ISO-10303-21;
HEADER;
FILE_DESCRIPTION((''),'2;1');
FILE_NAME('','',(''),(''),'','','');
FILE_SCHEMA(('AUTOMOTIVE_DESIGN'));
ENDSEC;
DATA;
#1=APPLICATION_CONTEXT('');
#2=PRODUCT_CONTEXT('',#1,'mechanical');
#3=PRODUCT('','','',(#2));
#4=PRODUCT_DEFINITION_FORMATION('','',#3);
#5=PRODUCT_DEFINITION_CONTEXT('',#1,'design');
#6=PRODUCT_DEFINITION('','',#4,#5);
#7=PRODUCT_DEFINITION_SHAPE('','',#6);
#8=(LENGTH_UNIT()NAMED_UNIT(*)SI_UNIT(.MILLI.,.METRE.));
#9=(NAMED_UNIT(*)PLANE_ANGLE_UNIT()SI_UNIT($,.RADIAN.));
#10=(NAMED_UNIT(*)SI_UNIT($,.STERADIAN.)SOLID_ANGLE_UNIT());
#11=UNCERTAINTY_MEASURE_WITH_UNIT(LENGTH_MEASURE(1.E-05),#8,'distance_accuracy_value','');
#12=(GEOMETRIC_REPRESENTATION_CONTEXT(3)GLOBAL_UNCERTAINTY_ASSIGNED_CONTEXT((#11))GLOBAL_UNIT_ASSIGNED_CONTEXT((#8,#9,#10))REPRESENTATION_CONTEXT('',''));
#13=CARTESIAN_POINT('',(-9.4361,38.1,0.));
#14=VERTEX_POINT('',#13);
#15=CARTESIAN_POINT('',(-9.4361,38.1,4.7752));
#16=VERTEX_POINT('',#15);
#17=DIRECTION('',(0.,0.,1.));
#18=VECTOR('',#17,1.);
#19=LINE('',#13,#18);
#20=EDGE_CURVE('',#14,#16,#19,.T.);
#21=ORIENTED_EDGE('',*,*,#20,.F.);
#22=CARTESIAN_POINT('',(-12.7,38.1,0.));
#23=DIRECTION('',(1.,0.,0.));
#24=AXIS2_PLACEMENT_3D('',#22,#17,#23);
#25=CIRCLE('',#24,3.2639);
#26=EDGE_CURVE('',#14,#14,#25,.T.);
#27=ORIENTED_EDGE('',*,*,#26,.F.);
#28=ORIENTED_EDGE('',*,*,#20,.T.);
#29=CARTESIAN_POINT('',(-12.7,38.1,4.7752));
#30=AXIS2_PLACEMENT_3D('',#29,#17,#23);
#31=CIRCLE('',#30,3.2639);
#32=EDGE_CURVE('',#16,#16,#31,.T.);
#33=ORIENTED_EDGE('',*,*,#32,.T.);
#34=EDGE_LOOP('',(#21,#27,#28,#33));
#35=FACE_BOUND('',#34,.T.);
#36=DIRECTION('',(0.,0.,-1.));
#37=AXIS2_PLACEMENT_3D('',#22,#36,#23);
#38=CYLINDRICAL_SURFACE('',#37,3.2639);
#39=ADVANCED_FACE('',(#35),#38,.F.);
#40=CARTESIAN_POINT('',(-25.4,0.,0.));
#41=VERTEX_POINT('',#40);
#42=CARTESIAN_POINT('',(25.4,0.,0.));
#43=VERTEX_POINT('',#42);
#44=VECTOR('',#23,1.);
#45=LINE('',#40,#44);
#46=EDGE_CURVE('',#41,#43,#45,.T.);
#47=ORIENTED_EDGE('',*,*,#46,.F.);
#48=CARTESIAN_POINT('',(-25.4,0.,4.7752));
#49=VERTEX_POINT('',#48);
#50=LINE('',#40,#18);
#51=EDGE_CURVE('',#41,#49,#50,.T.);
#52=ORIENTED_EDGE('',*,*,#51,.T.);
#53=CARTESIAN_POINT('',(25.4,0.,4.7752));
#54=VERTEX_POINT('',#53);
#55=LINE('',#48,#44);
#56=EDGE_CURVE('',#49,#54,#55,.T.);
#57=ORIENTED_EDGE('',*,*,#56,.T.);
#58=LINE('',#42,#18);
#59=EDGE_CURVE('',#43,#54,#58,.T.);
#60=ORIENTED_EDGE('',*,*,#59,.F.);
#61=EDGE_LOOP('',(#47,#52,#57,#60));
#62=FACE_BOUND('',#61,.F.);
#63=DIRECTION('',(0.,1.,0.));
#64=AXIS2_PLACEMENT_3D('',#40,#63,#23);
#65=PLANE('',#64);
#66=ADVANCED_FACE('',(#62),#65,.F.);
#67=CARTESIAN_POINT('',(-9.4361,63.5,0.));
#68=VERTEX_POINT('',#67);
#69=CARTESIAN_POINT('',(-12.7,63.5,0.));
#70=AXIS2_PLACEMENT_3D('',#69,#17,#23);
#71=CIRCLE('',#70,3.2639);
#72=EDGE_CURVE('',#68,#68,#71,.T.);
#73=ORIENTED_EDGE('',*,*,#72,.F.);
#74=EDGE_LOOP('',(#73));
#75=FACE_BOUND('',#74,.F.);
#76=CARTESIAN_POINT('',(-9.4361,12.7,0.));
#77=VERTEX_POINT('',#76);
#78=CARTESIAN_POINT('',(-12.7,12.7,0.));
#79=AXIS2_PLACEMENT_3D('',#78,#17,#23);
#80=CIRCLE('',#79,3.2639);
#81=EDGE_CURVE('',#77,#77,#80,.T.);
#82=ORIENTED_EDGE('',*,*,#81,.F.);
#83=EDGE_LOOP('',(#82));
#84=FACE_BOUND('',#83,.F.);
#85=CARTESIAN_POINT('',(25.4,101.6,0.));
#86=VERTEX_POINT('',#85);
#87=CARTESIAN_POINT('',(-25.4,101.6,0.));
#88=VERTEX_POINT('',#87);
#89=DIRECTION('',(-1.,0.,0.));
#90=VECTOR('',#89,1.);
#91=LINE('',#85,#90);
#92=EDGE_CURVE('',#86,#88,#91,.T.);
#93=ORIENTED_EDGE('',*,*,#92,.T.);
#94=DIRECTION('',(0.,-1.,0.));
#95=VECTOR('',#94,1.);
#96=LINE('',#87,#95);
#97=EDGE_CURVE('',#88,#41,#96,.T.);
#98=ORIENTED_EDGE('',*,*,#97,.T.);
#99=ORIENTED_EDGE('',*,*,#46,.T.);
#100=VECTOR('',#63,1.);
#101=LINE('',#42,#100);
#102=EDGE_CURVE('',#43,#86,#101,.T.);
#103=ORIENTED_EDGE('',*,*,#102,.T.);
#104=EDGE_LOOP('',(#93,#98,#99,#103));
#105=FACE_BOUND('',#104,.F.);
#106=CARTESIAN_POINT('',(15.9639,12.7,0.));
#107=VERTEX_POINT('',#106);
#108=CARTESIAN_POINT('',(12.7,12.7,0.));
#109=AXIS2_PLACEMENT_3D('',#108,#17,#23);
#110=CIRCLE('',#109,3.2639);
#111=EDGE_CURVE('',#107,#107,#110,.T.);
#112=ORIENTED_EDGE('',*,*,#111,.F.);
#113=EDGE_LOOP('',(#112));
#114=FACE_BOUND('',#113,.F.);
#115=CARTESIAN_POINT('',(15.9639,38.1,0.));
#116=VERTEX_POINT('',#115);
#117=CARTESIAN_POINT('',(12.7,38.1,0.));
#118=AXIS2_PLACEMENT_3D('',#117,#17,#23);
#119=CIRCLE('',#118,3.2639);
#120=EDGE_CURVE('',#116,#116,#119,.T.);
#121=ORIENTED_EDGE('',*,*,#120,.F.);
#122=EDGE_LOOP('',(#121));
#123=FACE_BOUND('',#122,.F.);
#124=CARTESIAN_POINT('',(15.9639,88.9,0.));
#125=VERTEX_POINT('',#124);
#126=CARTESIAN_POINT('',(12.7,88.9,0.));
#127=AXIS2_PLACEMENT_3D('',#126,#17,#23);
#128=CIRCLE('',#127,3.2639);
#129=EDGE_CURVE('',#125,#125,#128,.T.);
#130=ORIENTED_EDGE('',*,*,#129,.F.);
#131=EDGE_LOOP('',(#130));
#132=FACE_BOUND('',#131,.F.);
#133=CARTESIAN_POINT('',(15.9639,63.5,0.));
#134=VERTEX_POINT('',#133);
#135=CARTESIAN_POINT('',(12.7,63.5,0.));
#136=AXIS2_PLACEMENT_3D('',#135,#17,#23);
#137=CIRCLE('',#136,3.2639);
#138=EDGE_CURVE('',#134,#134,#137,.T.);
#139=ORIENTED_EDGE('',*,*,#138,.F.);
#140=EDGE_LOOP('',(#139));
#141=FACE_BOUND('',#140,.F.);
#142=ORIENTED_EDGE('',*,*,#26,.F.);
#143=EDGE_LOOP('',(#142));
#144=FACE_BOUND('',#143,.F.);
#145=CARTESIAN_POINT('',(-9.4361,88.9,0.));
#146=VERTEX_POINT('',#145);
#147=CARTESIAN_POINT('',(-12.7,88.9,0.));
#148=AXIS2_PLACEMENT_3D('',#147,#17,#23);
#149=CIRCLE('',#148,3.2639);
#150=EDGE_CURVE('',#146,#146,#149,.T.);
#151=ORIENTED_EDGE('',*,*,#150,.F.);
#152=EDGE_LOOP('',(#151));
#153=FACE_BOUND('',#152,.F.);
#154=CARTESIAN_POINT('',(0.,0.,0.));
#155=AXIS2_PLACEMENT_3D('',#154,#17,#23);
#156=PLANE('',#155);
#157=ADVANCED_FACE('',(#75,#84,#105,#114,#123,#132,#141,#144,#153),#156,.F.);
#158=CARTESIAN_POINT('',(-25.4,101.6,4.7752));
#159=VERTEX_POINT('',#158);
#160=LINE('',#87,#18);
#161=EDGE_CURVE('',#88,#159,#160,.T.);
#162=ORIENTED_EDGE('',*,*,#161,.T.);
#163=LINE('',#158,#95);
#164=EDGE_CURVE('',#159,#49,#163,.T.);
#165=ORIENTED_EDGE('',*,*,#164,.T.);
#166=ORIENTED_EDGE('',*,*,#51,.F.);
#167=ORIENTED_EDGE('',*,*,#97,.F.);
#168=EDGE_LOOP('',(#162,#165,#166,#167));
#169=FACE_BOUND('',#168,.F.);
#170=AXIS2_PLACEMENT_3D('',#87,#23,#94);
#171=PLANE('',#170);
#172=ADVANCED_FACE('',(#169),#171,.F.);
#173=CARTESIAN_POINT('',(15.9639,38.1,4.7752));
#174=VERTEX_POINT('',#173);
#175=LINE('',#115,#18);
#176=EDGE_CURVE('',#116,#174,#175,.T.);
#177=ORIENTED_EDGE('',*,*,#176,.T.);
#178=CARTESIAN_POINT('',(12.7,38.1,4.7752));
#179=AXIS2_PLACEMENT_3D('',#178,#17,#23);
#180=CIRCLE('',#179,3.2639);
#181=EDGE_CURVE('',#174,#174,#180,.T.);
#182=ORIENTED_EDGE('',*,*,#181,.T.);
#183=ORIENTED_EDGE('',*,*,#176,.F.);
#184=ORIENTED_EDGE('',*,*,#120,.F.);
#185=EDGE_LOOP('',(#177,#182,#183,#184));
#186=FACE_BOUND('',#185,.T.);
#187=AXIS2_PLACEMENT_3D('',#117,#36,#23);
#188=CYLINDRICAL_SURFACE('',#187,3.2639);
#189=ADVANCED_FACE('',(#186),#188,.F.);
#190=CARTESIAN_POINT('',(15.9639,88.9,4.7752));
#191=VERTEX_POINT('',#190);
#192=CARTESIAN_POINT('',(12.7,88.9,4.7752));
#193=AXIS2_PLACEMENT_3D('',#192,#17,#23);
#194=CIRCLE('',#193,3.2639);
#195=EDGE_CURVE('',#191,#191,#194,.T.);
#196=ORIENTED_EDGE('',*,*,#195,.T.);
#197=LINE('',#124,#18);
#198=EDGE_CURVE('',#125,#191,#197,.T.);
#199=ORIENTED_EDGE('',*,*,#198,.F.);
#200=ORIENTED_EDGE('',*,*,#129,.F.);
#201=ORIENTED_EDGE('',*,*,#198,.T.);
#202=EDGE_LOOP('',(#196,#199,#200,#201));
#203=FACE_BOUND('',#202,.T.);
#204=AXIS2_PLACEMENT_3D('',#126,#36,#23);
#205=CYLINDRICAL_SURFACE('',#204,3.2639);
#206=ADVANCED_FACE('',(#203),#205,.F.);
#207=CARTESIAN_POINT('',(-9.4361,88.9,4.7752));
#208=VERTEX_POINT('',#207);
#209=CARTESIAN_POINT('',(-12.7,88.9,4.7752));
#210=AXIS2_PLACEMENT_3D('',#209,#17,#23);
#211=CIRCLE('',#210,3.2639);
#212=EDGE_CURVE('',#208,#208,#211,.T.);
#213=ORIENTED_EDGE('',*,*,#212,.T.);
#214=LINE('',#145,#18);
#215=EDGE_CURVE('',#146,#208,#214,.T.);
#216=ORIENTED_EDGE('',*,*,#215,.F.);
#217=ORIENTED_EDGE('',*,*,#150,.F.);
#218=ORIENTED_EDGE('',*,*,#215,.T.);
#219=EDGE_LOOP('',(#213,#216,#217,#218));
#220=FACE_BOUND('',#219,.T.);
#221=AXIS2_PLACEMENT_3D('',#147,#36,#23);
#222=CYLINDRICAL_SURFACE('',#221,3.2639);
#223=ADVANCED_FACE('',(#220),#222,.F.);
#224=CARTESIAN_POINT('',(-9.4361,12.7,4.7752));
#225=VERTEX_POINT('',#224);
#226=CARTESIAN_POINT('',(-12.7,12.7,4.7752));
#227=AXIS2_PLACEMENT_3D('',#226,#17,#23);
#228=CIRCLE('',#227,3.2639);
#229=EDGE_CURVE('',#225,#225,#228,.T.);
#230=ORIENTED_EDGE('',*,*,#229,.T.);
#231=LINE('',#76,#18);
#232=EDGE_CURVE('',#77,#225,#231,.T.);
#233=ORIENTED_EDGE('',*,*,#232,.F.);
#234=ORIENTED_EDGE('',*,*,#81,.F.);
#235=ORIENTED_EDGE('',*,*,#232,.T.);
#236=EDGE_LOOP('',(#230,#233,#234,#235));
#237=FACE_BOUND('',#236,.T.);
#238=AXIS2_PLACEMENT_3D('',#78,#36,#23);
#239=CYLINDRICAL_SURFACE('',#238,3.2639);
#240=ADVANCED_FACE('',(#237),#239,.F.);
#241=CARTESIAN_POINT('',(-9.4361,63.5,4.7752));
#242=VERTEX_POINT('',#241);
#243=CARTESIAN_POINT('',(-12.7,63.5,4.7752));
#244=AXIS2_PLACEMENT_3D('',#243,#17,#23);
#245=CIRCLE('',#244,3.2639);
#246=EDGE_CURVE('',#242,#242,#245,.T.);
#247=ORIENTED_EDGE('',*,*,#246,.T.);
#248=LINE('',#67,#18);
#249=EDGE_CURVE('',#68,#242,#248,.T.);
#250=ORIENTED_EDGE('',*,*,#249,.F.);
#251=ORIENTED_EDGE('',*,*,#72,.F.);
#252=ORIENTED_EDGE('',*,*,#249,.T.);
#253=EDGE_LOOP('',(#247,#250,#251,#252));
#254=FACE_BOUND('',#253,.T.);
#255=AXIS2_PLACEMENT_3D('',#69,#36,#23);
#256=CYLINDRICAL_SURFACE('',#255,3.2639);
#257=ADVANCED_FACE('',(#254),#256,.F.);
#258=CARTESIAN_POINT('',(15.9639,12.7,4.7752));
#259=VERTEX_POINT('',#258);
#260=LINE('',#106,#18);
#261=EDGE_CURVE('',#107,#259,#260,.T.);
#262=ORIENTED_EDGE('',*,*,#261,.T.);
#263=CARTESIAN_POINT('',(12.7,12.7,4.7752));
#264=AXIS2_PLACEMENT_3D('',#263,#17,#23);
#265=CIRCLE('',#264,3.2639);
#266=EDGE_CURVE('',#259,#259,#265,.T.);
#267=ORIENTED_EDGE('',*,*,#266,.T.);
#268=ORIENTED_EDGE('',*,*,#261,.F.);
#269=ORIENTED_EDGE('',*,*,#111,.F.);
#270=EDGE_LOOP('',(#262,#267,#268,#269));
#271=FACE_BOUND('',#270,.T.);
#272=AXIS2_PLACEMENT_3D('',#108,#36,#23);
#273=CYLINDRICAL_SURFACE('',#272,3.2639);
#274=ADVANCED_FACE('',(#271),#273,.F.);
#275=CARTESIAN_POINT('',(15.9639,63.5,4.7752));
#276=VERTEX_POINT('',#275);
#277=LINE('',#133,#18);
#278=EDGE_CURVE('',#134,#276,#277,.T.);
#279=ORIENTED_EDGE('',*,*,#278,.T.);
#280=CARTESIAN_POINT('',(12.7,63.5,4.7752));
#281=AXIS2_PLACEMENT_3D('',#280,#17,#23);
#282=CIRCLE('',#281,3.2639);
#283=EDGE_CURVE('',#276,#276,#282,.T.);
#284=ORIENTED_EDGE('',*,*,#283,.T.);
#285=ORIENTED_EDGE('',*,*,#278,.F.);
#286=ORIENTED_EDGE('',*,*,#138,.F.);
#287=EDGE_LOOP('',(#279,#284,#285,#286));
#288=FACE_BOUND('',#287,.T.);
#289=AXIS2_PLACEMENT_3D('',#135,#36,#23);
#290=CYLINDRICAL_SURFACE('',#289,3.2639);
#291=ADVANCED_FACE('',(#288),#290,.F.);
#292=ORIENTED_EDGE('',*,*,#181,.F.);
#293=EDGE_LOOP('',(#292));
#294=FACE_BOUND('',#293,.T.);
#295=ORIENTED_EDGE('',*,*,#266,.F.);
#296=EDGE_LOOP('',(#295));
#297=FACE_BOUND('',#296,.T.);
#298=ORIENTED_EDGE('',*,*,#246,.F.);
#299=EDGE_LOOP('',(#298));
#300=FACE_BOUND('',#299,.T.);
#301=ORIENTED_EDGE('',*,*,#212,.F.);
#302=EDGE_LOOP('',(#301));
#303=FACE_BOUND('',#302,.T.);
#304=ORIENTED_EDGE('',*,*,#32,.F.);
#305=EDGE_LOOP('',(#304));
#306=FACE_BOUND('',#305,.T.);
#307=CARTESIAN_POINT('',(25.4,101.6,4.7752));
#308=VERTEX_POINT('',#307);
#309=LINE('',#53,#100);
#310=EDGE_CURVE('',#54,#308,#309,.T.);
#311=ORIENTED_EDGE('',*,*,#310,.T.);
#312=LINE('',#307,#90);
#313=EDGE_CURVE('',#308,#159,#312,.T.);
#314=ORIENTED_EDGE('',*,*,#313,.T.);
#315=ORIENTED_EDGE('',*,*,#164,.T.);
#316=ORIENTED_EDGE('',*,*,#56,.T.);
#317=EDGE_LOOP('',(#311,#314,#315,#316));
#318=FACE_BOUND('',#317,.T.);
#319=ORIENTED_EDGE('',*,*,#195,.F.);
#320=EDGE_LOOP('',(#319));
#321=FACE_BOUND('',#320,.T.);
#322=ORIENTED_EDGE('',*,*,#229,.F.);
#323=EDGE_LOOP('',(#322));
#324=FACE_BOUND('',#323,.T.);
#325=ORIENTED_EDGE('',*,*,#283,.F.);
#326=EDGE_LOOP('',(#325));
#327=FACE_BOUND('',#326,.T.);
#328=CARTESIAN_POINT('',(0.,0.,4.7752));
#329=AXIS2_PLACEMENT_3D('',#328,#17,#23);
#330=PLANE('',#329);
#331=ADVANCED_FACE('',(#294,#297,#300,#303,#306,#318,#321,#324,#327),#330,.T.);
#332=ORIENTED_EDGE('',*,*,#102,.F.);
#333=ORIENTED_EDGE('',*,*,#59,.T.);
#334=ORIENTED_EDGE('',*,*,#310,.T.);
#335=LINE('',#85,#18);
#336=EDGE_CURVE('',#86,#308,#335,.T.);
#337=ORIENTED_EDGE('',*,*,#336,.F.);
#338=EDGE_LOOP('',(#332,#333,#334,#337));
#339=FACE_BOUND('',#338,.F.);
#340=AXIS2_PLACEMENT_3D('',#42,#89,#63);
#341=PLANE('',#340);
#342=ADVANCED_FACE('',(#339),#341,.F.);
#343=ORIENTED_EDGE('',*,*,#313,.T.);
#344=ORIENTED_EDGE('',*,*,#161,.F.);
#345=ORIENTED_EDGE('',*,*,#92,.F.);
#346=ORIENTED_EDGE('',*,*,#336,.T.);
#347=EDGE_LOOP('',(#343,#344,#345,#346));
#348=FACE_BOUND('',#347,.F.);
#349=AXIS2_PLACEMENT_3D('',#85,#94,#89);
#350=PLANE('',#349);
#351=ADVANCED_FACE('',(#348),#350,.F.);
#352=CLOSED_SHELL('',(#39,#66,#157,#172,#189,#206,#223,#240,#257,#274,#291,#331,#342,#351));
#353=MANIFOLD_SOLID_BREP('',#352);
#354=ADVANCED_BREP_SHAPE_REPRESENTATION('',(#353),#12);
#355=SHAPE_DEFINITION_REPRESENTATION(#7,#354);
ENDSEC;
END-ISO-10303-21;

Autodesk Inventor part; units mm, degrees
ref_plane "YZ Plane" through (0, 0, 0) normal (1, 0, 0) x (0, 1, 0)
ref_plane "XZ Plane" through (0, 0, 0) normal (0, 1, 0) x (-1, 0, 0)
ref_plane "XY Plane" through (0, 0, 0) normal (0, 0, 1) x (1, 0, 0)
sketch "Sketch_1" plane through (0, 0, 0) normal (0, 0, 1) x (1, 0, 0)
  line L0 (-25.4, 101.6) -> (-25.4, 0)
  line L1 (-25.4, 0) -> (25.4, 0)
  line L2 (25.4, 0) -> (25.4, 101.6)
  line L3 (25.4, 101.6) -> (-25.4, 101.6)
  circle A0 centre (12.7, 12.7) radius 3.2639
  circle A1 centre (12.7, 38.1) radius 3.2639
  circle A2 centre (12.7, 63.5) radius 3.2639
  circle A3 centre (12.7, 88.9) radius 3.2639
  circle A4 centre (-12.7, 12.7) radius 3.2639
  circle A5 centre (-12.7, 38.1) radius 3.2639
  circle A6 centre (-12.7, 63.5) radius 3.2639
  circle A7 centre (-12.7, 88.9) radius 3.2639
extrude "Extrusion1" add sketch "Sketch_1" along normal blind 4.7752
properties part number "4165"
